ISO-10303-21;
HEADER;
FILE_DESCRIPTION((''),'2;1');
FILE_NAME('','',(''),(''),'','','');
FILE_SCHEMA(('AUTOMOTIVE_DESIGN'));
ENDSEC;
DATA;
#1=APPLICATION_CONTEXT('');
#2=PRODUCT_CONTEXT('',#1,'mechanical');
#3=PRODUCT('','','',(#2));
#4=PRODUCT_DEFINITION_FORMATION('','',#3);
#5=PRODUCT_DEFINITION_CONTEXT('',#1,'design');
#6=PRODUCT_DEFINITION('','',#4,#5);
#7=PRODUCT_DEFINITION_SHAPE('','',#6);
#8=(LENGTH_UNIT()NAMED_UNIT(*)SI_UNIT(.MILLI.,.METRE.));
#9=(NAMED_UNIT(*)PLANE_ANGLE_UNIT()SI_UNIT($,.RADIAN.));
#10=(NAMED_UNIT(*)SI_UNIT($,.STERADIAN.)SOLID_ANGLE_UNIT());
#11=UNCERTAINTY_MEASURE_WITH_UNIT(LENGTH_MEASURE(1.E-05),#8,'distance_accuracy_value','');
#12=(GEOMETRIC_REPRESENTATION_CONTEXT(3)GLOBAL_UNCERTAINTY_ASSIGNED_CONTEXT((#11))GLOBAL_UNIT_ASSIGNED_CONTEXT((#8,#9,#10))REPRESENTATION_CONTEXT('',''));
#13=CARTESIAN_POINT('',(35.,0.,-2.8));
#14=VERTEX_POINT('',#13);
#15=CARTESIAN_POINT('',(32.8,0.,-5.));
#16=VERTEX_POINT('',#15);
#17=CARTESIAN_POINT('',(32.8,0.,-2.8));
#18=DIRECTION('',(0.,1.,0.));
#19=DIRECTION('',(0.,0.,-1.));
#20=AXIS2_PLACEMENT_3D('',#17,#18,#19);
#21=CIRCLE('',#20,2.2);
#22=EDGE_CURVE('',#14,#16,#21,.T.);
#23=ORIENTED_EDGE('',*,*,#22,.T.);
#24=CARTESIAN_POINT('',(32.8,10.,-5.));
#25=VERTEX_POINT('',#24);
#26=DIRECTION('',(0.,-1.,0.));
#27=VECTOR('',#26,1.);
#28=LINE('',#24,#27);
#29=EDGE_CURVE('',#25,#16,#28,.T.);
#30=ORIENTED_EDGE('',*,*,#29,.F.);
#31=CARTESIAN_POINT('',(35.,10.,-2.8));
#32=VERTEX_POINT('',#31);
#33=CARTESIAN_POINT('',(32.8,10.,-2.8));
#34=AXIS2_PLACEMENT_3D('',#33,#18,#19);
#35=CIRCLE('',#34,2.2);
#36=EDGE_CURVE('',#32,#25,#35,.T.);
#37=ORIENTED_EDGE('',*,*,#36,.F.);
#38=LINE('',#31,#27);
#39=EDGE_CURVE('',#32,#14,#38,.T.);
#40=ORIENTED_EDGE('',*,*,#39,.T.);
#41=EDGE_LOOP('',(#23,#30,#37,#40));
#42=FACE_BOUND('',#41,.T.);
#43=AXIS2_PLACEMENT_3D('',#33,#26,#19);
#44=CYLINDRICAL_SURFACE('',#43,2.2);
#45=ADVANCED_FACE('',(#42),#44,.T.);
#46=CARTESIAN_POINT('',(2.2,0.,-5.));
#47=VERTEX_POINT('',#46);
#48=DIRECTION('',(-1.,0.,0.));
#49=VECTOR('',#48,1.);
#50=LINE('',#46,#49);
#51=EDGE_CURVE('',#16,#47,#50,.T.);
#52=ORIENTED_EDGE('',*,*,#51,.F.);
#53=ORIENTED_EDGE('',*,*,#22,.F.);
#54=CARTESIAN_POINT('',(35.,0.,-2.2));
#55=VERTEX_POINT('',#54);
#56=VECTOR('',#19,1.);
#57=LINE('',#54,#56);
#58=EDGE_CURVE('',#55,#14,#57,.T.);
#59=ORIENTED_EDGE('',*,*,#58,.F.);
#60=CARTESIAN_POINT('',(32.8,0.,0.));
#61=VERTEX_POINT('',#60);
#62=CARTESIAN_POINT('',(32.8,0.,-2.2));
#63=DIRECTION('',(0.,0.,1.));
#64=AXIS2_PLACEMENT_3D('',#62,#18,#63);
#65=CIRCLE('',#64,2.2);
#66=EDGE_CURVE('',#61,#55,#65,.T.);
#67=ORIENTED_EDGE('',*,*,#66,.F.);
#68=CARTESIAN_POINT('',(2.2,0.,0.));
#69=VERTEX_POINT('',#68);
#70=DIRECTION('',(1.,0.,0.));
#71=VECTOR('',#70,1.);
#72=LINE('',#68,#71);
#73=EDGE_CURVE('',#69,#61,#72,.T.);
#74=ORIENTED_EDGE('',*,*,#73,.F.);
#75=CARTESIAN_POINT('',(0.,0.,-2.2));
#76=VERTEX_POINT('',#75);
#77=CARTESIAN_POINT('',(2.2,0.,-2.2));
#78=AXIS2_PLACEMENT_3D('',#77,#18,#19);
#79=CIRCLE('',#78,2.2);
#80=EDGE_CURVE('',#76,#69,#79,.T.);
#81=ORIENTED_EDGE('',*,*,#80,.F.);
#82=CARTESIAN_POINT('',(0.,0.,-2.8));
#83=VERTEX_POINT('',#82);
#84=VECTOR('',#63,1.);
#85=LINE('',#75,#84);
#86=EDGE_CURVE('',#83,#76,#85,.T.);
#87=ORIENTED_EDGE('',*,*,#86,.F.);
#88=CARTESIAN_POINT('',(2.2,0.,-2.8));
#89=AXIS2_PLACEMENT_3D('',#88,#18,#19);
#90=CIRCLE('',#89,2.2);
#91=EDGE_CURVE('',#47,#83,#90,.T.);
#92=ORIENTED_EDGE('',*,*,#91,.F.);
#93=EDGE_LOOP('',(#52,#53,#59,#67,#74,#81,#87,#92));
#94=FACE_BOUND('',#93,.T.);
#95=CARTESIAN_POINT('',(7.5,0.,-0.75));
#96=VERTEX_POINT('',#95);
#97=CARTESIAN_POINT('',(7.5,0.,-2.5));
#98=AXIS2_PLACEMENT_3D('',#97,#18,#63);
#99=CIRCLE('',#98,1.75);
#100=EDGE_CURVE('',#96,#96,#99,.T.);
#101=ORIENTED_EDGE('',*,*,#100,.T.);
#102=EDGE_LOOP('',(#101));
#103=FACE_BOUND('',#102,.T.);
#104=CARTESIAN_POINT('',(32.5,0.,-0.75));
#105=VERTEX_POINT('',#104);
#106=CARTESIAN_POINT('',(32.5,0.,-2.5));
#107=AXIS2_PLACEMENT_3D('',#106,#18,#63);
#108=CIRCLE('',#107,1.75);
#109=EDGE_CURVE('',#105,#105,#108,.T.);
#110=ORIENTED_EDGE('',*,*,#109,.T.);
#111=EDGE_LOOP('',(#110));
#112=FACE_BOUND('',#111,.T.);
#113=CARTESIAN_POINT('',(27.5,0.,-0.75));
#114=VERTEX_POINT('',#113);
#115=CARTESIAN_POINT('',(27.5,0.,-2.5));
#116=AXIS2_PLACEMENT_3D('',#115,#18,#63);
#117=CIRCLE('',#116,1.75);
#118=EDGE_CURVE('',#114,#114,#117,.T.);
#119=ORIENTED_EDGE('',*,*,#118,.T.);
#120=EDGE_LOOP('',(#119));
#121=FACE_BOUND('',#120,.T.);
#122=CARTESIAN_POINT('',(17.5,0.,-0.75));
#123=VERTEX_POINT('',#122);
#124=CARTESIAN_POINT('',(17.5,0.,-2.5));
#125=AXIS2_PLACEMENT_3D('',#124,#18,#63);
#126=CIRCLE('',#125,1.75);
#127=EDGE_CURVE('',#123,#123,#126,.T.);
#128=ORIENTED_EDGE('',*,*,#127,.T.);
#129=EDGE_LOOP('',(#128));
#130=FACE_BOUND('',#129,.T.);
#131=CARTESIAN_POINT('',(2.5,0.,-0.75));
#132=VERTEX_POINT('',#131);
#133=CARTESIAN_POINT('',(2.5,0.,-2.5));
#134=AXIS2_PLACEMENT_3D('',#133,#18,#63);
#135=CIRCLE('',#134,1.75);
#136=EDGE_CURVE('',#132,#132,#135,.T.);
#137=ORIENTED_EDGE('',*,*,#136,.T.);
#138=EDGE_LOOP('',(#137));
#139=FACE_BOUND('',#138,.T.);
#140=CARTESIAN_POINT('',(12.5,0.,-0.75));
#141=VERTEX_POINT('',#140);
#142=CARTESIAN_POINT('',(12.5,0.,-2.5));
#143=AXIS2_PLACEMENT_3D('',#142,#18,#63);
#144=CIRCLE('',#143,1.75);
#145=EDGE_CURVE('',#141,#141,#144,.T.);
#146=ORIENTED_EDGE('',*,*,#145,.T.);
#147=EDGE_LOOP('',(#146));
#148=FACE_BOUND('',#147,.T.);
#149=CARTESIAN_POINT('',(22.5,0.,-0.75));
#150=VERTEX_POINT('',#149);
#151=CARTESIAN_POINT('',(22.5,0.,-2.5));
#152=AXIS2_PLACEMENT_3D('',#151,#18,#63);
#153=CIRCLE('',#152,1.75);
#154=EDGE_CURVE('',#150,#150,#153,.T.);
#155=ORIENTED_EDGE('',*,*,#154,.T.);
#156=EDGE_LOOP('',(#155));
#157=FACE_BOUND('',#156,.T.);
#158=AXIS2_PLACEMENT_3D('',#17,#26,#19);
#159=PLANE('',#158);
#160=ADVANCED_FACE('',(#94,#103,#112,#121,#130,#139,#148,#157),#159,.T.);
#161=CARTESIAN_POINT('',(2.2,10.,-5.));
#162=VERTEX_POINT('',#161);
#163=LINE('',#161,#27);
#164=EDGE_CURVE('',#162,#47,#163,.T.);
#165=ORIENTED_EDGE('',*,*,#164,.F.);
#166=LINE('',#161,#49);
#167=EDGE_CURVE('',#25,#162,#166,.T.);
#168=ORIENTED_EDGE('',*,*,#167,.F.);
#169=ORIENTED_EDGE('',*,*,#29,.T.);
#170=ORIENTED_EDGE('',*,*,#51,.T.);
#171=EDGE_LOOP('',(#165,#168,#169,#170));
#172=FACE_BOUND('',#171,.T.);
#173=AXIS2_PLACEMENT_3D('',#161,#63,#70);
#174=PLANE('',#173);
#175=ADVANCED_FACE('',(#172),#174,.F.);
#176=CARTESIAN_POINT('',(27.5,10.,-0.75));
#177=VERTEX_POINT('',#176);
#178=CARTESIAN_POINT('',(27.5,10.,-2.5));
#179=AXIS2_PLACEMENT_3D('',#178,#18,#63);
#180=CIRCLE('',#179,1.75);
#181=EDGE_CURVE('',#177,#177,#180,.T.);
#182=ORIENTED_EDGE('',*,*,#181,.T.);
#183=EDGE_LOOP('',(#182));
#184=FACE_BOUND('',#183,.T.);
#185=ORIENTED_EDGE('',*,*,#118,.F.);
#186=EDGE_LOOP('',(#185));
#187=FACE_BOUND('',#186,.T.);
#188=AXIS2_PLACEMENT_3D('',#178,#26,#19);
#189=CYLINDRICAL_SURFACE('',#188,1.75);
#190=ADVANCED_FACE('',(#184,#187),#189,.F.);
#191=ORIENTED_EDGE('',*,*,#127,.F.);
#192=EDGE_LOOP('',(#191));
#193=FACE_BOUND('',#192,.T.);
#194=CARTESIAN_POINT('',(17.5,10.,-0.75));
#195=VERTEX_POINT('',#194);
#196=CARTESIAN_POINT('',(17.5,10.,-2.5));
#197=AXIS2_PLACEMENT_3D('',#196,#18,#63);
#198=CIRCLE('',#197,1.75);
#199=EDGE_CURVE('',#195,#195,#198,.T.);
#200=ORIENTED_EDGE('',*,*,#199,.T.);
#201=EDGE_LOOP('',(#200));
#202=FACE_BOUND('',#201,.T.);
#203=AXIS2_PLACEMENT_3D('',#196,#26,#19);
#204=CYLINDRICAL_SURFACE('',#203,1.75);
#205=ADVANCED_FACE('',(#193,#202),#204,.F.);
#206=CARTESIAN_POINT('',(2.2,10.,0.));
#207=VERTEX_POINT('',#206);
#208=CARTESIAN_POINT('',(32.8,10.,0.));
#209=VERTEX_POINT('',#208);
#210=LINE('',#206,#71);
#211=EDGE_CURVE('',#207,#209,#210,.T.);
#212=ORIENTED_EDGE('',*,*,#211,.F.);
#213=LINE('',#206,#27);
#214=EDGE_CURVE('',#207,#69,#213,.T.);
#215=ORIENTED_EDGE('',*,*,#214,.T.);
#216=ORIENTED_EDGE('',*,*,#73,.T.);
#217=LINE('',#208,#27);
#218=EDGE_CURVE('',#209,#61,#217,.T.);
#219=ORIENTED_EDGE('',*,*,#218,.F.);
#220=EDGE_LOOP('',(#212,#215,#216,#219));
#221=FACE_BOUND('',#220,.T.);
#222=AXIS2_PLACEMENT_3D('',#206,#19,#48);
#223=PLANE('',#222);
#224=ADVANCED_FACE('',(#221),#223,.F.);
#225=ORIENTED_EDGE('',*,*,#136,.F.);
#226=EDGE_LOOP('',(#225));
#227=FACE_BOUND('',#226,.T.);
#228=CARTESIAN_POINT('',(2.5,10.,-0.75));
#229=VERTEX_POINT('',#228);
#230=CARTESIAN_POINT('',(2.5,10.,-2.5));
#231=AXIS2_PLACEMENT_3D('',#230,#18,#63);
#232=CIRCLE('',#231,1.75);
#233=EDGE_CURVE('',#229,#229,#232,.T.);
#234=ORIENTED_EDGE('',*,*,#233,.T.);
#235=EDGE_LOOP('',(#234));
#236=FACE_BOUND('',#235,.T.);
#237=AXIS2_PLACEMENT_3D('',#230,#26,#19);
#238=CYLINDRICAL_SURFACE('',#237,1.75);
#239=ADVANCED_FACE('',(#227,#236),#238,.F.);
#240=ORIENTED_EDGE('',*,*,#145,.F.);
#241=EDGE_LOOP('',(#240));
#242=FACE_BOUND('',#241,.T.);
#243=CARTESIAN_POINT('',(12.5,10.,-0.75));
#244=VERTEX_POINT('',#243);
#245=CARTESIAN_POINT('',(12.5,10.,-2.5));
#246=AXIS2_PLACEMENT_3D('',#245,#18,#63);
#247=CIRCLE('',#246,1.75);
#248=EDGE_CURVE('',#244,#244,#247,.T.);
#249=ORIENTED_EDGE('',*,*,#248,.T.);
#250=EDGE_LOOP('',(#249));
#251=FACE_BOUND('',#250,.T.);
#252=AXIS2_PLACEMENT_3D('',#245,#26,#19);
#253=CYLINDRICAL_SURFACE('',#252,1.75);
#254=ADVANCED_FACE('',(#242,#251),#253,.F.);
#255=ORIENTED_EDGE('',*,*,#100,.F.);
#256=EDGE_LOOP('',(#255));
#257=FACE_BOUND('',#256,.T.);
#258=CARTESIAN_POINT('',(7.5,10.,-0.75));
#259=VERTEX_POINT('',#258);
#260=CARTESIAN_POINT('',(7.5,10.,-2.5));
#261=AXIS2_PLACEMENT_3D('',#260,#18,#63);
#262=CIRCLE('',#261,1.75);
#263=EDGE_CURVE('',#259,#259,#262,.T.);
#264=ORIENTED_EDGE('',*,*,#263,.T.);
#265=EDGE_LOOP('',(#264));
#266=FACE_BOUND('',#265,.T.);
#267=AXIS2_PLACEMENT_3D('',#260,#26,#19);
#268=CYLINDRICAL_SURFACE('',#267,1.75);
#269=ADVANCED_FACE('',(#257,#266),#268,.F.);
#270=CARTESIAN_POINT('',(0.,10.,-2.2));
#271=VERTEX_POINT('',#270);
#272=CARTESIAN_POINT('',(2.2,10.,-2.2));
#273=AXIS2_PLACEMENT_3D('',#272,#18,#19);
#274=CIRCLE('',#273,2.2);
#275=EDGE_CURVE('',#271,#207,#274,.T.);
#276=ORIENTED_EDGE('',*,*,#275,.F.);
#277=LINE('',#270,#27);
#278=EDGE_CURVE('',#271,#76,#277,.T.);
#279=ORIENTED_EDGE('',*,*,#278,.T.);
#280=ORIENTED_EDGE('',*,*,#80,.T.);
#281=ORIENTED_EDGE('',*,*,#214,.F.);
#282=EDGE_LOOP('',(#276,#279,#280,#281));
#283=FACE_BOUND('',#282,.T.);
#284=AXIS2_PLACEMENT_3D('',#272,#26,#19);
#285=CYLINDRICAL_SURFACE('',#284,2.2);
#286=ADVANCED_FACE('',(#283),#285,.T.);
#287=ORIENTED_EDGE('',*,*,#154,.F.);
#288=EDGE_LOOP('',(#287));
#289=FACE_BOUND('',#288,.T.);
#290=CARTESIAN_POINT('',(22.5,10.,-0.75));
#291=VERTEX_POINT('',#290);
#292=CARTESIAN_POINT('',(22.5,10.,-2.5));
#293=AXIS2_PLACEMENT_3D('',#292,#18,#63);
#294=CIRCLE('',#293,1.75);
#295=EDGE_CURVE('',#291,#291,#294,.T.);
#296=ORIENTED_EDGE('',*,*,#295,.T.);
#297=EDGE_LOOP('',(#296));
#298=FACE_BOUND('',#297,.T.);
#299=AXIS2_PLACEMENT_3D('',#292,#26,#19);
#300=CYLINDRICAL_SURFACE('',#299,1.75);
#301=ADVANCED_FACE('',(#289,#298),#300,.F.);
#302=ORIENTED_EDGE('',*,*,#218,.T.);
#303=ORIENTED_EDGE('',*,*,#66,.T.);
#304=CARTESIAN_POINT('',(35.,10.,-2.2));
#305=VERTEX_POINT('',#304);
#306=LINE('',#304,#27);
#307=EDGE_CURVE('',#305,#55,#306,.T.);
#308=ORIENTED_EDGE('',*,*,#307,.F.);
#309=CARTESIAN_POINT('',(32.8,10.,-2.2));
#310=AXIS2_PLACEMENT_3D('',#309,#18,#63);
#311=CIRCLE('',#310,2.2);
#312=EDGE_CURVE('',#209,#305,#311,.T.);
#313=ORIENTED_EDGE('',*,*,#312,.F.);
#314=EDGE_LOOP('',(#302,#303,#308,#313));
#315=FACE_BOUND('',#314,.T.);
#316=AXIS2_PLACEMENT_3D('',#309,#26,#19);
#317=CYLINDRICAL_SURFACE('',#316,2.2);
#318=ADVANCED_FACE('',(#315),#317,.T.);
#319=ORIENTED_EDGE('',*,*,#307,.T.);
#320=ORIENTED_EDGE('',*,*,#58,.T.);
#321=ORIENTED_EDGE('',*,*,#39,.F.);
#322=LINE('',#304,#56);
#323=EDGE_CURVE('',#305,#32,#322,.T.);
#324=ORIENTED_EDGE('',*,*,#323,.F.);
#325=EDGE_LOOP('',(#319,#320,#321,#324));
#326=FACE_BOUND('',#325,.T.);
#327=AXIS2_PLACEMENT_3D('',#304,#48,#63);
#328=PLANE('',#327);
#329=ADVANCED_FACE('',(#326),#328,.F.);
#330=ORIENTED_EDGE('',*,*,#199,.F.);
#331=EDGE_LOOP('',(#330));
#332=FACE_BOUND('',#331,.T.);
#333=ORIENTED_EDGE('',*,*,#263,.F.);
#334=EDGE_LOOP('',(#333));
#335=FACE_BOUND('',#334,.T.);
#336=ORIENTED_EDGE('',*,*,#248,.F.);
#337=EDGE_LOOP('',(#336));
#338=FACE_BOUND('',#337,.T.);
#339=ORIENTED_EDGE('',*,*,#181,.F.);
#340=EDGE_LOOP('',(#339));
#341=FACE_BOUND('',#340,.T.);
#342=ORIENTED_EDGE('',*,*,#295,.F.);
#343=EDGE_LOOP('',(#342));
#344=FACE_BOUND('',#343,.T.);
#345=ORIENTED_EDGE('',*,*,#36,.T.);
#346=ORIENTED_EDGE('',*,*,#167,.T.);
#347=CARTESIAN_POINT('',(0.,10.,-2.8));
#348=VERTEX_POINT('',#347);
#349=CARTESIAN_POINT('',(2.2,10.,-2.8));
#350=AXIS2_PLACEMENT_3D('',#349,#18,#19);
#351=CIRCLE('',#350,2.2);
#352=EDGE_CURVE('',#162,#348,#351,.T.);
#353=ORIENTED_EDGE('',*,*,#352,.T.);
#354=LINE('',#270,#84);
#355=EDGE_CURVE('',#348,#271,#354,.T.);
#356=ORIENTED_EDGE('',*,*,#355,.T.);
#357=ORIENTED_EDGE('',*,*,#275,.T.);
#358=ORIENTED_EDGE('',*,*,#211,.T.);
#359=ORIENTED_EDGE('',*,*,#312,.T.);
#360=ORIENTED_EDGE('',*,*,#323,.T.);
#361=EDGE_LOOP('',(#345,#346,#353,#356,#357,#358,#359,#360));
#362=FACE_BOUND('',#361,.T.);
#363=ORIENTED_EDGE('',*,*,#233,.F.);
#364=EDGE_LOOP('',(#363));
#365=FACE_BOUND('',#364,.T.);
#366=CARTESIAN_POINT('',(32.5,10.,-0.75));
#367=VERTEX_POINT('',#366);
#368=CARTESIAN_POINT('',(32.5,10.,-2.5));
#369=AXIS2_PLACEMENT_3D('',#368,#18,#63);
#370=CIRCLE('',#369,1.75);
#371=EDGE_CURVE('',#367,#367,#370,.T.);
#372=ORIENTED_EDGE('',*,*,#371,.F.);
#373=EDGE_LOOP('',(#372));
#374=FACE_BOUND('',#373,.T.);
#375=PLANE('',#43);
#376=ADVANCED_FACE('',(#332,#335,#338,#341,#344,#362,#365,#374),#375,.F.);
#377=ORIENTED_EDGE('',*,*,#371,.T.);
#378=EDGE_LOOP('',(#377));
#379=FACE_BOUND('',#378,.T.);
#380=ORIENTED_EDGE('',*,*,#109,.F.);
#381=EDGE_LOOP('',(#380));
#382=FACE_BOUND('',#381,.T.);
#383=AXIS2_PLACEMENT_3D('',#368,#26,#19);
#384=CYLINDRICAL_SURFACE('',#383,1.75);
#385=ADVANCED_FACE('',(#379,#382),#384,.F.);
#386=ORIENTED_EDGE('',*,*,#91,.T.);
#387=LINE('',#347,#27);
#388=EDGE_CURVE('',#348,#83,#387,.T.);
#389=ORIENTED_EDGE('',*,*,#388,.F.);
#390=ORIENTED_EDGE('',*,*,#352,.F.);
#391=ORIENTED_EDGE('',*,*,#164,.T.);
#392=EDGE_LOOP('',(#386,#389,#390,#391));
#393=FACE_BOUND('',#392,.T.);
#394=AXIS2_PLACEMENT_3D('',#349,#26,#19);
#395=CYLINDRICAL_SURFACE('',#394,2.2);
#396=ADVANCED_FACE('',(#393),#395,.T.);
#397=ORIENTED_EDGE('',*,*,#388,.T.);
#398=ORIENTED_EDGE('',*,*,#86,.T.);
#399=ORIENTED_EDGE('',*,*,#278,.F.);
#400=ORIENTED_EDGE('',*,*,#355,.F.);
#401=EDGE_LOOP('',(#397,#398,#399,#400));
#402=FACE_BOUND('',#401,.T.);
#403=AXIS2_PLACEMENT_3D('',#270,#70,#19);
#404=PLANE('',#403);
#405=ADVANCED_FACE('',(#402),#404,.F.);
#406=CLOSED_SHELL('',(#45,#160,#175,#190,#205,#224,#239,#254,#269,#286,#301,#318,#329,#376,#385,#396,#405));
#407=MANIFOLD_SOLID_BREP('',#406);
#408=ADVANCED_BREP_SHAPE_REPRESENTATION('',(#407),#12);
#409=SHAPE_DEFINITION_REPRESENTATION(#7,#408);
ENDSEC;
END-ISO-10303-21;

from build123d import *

# Parameters (mm, degrees)
SKETCH1_R           = 1.75
BOSS_EXTRUDE1_DEPTH = 10


with BuildPart() as part:
    # Sketch1 → Boss-Extrude1 (new body)
    with BuildSketch(Plane(origin=(0, 0, 0), x_dir=(1, 0, 0), z_dir=(0, 1, 0))):
        with BuildLine():
            Line((2.2, 0), (32.8, 0))
            ThreePointArc((32.8, 0), (34.355634919, 0.644365081), (35, 2.2))
            Line((35, 2.2), (35, 2.8))
            ThreePointArc((35, 2.8), (34.355634919, 4.355634919), (32.8, 5))
            Line((32.8, 5), (2.2, 5))
            ThreePointArc((2.2, 5), (0.644365081, 4.355634919), (0, 2.8))
            Line((0, 2.8), (0, 2.2))
            ThreePointArc((0, 2.2), (0.644365081, 0.644365081), (2.2, 0))
        make_face()
        with Locations(Location((2.5, 2.5, 0), (0, 0, 270))):
            Circle(SKETCH1_R, mode=Mode.SUBTRACT)
        with Locations(Location((7.5, 2.5, 0), (0, 0, 270))):
            Circle(SKETCH1_R, mode=Mode.SUBTRACT)
        with Locations(Location((12.5, 2.5, 0), (0, 0, 270))):
            Circle(SKETCH1_R, mode=Mode.SUBTRACT)
        with Locations(Location((17.5, 2.5, 0), (0, 0, 270))):
            Circle(SKETCH1_R, mode=Mode.SUBTRACT)
        with Locations(Location((22.5, 2.5, 0), (0, 0, 270))):
            Circle(SKETCH1_R, mode=Mode.SUBTRACT)
        with Locations(Location((27.5, 2.5, 0), (0, 0, 270))):
            Circle(SKETCH1_R, mode=Mode.SUBTRACT)
        with Locations(Location((32.5, 2.5, 0), (0, 0, 270))):
            Circle(SKETCH1_R, mode=Mode.SUBTRACT)
    extrude(amount=BOSS_EXTRUDE1_DEPTH)


solid = part.part
